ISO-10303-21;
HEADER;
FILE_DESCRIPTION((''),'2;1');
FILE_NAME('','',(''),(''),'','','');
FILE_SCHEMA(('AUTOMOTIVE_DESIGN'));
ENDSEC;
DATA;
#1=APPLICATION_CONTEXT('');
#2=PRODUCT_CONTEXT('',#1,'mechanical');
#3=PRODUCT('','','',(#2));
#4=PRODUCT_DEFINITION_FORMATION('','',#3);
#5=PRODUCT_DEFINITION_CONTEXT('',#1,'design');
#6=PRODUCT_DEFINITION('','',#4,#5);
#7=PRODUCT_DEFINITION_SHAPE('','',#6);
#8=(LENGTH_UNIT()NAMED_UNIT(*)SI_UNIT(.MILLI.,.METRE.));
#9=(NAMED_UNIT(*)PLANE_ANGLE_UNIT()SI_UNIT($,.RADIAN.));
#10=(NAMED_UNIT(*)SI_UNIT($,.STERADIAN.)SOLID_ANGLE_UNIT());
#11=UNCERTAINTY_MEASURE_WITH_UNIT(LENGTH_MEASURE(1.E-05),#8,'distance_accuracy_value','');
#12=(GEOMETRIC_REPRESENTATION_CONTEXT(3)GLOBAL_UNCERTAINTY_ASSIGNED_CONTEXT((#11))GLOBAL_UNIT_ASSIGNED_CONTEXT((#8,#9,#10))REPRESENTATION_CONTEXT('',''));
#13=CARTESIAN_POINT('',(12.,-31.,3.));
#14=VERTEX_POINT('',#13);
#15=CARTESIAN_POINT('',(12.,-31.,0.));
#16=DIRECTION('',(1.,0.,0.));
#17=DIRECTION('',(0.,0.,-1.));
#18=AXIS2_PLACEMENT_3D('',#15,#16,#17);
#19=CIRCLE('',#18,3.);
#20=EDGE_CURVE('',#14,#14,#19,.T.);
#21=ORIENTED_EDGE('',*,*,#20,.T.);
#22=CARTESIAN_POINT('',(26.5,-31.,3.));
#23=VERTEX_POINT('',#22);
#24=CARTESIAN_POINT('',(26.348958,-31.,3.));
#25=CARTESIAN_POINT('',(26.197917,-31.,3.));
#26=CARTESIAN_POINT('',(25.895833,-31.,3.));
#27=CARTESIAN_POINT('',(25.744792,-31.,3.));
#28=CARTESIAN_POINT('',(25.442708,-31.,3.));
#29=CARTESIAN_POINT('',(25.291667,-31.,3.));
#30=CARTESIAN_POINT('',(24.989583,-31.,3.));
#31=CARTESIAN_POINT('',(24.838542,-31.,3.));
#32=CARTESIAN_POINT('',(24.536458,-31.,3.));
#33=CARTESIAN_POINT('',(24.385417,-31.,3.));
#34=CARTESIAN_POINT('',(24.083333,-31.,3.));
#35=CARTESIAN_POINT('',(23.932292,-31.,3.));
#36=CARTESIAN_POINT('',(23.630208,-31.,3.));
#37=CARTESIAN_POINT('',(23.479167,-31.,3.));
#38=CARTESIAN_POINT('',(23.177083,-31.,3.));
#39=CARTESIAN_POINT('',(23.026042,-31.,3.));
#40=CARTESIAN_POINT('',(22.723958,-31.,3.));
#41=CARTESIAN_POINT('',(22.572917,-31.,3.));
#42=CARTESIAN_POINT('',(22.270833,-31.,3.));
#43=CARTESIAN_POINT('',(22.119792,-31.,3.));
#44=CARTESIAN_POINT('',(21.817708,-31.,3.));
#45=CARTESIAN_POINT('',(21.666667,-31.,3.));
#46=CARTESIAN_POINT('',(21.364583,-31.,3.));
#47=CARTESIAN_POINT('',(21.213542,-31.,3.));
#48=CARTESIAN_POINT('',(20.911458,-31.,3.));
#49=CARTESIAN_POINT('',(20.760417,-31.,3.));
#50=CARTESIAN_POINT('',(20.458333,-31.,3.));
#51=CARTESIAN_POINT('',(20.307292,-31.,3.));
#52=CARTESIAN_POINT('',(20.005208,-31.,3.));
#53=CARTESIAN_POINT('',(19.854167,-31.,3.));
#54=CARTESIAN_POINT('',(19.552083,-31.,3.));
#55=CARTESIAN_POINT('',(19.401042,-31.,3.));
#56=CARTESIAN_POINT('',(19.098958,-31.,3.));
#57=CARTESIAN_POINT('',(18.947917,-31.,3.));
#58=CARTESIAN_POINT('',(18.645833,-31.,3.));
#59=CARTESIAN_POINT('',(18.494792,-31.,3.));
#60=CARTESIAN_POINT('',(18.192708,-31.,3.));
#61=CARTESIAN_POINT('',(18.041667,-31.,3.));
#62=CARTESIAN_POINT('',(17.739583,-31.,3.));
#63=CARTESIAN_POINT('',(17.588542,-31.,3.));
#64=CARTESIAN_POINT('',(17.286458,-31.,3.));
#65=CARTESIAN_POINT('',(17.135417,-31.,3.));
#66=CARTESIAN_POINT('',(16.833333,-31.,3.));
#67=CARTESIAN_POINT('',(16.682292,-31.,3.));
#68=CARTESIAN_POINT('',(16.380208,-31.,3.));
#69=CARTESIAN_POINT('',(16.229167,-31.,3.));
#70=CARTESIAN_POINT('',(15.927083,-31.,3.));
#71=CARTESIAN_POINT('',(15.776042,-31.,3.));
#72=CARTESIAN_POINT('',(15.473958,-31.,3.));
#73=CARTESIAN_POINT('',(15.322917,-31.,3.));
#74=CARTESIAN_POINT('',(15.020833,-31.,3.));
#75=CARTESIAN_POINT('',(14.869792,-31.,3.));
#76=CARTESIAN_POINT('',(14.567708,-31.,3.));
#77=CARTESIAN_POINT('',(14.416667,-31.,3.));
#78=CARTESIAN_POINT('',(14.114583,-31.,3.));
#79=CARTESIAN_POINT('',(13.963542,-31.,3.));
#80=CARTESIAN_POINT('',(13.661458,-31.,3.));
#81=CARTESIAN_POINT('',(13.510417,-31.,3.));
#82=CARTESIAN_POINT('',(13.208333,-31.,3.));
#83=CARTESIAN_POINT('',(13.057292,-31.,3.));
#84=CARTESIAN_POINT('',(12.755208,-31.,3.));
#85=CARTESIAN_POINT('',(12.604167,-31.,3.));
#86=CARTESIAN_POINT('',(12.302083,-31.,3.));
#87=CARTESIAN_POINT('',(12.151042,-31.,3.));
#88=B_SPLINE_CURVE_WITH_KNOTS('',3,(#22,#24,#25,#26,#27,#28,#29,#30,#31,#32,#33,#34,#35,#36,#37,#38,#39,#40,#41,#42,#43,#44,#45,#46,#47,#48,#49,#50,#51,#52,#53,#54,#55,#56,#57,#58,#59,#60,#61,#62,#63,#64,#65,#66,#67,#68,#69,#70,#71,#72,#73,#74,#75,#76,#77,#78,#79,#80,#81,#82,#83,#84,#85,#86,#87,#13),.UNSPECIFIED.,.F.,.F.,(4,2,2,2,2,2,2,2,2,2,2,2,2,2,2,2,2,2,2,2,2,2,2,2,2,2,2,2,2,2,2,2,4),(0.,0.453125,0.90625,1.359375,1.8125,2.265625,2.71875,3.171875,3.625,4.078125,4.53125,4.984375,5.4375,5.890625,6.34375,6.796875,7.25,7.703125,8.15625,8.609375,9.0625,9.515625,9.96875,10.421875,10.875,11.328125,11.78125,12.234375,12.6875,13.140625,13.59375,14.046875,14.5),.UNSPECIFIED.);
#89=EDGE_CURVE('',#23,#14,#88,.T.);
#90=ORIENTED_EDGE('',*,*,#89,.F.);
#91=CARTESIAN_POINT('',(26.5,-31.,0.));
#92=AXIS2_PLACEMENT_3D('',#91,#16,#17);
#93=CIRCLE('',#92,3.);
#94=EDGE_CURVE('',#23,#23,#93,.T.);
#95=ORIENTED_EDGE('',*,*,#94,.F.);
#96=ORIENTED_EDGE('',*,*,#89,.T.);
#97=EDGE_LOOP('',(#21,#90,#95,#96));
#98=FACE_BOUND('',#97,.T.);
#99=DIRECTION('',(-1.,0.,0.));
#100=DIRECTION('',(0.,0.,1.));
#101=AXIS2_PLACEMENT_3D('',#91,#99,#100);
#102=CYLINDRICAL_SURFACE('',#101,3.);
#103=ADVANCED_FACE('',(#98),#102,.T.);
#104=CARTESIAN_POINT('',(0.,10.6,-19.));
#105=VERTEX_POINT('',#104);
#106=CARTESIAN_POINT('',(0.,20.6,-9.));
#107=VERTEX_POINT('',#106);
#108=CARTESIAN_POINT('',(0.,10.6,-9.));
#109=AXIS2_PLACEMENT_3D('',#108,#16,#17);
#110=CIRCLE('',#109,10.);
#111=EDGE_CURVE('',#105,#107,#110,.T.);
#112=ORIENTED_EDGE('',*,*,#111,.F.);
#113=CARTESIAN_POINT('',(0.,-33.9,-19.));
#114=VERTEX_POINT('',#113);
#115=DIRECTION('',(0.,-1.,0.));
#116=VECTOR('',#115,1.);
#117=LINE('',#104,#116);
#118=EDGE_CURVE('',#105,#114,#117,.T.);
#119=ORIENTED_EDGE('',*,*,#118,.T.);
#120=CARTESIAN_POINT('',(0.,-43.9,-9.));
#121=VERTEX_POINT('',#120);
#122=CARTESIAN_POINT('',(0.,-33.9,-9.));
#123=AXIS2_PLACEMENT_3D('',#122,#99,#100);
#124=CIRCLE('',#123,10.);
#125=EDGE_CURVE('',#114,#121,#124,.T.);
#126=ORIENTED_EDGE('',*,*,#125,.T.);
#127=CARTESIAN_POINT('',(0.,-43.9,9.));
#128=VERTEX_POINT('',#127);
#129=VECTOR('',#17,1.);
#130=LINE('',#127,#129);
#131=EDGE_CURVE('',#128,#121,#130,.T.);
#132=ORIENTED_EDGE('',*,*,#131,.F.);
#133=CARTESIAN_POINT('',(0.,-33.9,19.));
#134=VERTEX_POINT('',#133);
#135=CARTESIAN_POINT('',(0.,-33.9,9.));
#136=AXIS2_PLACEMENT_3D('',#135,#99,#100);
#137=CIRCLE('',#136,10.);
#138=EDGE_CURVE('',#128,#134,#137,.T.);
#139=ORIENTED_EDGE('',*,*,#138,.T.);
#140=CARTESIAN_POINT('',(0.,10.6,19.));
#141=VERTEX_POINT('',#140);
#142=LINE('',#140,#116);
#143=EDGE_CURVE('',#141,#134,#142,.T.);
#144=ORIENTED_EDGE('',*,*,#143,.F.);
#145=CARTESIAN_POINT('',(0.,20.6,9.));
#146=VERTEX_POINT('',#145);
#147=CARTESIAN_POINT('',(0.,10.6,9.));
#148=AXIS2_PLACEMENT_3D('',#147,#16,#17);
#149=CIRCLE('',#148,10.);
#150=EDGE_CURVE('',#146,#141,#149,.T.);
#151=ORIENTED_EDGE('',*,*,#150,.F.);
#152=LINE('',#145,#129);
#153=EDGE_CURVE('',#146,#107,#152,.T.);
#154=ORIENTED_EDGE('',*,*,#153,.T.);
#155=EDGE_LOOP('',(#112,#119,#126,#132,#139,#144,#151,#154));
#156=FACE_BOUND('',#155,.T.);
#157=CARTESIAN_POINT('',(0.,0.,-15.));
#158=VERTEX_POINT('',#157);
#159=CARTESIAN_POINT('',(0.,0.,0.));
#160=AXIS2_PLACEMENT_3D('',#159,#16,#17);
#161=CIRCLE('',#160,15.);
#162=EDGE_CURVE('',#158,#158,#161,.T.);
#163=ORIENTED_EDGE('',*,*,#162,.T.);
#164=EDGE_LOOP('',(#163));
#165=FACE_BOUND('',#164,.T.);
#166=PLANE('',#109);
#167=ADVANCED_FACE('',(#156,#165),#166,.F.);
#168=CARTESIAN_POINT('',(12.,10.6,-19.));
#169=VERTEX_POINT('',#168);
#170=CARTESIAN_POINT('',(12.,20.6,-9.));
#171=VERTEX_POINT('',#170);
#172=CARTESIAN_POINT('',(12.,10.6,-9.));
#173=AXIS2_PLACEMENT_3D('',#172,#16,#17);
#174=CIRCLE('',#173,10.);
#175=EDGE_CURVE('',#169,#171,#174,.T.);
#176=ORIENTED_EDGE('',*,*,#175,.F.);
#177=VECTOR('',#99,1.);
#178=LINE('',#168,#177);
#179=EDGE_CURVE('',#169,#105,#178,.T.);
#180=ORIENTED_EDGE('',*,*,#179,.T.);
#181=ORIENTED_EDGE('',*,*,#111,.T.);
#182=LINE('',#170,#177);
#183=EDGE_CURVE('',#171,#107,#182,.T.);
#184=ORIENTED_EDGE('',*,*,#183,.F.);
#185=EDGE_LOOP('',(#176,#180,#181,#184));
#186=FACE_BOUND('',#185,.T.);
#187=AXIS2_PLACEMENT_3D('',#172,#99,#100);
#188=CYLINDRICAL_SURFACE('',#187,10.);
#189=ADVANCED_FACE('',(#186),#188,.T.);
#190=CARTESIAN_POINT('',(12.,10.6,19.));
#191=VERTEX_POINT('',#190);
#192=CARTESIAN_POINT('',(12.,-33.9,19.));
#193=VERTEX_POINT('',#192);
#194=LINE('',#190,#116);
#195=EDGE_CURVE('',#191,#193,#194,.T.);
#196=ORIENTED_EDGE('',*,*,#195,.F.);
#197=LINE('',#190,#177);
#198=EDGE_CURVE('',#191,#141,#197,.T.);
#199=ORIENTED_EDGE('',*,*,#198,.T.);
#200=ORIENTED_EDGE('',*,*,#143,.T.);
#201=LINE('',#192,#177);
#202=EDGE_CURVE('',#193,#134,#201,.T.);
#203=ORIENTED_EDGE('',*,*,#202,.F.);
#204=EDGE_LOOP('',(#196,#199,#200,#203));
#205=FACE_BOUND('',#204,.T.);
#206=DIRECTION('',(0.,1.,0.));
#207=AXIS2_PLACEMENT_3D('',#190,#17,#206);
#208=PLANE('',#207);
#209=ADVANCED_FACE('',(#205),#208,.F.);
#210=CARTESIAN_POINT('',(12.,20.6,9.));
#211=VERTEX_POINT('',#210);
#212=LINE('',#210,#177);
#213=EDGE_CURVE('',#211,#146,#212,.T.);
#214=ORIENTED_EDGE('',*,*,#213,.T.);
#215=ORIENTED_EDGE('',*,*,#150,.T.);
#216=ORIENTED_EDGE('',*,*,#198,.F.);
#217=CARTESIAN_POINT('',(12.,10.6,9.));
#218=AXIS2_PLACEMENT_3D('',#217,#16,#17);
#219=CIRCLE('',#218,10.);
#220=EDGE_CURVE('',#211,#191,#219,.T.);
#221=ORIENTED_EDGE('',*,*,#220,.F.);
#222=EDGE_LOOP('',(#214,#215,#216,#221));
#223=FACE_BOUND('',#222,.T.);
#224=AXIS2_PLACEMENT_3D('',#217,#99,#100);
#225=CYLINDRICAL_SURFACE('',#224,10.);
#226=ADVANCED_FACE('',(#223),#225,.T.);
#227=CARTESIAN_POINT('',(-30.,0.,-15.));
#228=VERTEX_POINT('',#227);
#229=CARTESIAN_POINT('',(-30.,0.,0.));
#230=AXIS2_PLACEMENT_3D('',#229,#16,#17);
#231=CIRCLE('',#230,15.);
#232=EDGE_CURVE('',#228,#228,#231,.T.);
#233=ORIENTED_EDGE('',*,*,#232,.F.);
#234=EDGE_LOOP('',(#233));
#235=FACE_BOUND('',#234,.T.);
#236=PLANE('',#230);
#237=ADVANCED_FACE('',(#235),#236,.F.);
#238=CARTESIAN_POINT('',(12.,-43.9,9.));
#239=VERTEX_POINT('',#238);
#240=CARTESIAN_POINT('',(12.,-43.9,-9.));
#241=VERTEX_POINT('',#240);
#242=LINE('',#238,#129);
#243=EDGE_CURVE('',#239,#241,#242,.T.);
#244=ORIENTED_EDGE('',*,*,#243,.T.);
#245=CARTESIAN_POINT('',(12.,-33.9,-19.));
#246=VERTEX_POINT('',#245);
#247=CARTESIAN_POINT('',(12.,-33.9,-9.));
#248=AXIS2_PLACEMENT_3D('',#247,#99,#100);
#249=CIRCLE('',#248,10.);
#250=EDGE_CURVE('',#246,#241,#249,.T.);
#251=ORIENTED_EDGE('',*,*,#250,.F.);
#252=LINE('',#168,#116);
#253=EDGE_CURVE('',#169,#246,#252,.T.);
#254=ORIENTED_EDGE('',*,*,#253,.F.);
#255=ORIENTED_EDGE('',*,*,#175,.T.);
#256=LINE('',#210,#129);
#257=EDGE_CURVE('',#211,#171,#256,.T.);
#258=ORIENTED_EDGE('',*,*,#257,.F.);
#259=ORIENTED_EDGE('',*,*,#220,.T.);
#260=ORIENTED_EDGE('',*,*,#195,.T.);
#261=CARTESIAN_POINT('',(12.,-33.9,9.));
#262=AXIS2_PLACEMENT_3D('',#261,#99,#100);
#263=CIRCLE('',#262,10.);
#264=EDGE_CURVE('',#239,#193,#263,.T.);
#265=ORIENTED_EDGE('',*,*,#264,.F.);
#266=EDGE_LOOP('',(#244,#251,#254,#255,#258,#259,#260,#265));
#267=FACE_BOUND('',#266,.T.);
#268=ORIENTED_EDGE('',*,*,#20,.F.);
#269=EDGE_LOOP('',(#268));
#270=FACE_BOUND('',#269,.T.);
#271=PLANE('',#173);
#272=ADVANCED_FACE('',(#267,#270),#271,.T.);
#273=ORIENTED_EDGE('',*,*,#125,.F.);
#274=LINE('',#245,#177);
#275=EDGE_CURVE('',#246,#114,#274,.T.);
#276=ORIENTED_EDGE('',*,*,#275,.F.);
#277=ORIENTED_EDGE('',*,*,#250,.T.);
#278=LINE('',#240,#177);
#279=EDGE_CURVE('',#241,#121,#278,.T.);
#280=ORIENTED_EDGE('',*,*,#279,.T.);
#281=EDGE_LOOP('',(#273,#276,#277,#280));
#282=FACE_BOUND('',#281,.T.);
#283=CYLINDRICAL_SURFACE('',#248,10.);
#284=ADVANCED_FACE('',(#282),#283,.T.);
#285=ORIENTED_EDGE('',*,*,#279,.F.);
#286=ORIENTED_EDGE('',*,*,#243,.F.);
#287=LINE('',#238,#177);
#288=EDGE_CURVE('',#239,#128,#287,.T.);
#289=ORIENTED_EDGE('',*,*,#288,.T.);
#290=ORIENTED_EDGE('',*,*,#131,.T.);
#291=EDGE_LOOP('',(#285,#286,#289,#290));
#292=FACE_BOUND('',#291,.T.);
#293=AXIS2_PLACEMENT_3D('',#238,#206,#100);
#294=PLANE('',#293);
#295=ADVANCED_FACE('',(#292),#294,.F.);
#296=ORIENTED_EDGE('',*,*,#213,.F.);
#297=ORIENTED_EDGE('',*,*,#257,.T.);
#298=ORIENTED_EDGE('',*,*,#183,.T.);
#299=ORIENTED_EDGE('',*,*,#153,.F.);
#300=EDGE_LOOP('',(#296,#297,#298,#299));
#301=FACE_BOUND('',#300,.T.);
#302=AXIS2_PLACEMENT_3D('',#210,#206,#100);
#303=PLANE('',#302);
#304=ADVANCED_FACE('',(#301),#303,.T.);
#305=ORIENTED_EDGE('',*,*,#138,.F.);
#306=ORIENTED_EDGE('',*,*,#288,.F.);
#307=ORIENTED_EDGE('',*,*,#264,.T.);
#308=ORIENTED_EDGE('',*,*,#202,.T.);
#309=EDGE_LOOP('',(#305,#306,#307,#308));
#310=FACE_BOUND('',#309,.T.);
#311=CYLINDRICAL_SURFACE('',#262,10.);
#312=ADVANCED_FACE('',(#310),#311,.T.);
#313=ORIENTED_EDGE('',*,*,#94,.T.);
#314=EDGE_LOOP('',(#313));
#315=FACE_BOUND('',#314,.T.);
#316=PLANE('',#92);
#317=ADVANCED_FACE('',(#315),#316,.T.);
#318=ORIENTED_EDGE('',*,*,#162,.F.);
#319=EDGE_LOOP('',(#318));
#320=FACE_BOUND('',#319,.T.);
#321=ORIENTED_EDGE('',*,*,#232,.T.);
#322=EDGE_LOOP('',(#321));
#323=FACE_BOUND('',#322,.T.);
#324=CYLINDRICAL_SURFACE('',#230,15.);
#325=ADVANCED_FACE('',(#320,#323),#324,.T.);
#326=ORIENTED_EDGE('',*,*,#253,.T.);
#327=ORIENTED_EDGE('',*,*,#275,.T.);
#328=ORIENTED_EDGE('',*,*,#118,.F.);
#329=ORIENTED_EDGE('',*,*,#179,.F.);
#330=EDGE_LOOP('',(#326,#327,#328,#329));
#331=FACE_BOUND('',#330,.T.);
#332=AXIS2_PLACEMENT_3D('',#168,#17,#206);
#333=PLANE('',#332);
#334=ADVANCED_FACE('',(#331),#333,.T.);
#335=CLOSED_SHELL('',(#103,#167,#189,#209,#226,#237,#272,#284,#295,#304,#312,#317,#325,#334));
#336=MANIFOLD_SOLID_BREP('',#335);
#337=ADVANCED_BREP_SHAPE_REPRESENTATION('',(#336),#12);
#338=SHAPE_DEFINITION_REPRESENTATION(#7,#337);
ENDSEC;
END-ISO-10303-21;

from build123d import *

# Parameters (mm, degrees)
SKETCH_1_R      = 15
EXTRUDE_1_DEPTH = 30
EXTRUDE_2_DEPTH = 12
SKETCH_9_R      = 3
EXTRUDE_3_DEPTH = 14.5


with BuildPart() as part:
    # 草图1 → 凸台-拉伸1 (new body)
    with BuildSketch(Plane(origin=(0, 0, 0), x_dir=(0, 0, -1), z_dir=(1, 0, 0))):
        Circle(SKETCH_1_R)
    extrude(amount=-EXTRUDE_1_DEPTH)

    # 草图8 → 凸台-拉伸2 (add)
    with BuildSketch(Plane(origin=(0, 0, 0), x_dir=(0, 0, -1), z_dir=(1, 0, 0))):
        with BuildLine():
            Line((19, 10.6), (19, -33.9))
            ThreePointArc((19, -33.9), (16.071067812, -40.971067812), (9, -43.9))
            Line((9, -43.9), (-9, -43.9))
            ThreePointArc((-9, -43.9), (-16.071067812, -40.971067812), (-19, -33.9))
            Line((-19, -33.9), (-19, 10.6))
            ThreePointArc((-19, 10.6), (-16.071067812, 17.671067812), (-9, 20.6))
            Line((-9, 20.6), (9, 20.6))
            ThreePointArc((9, 20.6), (16.071067812, 17.671067812), (19, 10.6))
        make_face()
    extrude(amount=EXTRUDE_2_DEPTH)

    # 草图9 → 凸台-拉伸3 (add)
    with BuildSketch(Plane(origin=(12, 0, 0), x_dir=(0, 0, -1), z_dir=(1, 0, 0))):
        with Locations(Location((0, -31, 0), (0, 0, 180))):
            Circle(SKETCH_9_R)
    extrude(amount=EXTRUDE_3_DEPTH)


solid = part.part
